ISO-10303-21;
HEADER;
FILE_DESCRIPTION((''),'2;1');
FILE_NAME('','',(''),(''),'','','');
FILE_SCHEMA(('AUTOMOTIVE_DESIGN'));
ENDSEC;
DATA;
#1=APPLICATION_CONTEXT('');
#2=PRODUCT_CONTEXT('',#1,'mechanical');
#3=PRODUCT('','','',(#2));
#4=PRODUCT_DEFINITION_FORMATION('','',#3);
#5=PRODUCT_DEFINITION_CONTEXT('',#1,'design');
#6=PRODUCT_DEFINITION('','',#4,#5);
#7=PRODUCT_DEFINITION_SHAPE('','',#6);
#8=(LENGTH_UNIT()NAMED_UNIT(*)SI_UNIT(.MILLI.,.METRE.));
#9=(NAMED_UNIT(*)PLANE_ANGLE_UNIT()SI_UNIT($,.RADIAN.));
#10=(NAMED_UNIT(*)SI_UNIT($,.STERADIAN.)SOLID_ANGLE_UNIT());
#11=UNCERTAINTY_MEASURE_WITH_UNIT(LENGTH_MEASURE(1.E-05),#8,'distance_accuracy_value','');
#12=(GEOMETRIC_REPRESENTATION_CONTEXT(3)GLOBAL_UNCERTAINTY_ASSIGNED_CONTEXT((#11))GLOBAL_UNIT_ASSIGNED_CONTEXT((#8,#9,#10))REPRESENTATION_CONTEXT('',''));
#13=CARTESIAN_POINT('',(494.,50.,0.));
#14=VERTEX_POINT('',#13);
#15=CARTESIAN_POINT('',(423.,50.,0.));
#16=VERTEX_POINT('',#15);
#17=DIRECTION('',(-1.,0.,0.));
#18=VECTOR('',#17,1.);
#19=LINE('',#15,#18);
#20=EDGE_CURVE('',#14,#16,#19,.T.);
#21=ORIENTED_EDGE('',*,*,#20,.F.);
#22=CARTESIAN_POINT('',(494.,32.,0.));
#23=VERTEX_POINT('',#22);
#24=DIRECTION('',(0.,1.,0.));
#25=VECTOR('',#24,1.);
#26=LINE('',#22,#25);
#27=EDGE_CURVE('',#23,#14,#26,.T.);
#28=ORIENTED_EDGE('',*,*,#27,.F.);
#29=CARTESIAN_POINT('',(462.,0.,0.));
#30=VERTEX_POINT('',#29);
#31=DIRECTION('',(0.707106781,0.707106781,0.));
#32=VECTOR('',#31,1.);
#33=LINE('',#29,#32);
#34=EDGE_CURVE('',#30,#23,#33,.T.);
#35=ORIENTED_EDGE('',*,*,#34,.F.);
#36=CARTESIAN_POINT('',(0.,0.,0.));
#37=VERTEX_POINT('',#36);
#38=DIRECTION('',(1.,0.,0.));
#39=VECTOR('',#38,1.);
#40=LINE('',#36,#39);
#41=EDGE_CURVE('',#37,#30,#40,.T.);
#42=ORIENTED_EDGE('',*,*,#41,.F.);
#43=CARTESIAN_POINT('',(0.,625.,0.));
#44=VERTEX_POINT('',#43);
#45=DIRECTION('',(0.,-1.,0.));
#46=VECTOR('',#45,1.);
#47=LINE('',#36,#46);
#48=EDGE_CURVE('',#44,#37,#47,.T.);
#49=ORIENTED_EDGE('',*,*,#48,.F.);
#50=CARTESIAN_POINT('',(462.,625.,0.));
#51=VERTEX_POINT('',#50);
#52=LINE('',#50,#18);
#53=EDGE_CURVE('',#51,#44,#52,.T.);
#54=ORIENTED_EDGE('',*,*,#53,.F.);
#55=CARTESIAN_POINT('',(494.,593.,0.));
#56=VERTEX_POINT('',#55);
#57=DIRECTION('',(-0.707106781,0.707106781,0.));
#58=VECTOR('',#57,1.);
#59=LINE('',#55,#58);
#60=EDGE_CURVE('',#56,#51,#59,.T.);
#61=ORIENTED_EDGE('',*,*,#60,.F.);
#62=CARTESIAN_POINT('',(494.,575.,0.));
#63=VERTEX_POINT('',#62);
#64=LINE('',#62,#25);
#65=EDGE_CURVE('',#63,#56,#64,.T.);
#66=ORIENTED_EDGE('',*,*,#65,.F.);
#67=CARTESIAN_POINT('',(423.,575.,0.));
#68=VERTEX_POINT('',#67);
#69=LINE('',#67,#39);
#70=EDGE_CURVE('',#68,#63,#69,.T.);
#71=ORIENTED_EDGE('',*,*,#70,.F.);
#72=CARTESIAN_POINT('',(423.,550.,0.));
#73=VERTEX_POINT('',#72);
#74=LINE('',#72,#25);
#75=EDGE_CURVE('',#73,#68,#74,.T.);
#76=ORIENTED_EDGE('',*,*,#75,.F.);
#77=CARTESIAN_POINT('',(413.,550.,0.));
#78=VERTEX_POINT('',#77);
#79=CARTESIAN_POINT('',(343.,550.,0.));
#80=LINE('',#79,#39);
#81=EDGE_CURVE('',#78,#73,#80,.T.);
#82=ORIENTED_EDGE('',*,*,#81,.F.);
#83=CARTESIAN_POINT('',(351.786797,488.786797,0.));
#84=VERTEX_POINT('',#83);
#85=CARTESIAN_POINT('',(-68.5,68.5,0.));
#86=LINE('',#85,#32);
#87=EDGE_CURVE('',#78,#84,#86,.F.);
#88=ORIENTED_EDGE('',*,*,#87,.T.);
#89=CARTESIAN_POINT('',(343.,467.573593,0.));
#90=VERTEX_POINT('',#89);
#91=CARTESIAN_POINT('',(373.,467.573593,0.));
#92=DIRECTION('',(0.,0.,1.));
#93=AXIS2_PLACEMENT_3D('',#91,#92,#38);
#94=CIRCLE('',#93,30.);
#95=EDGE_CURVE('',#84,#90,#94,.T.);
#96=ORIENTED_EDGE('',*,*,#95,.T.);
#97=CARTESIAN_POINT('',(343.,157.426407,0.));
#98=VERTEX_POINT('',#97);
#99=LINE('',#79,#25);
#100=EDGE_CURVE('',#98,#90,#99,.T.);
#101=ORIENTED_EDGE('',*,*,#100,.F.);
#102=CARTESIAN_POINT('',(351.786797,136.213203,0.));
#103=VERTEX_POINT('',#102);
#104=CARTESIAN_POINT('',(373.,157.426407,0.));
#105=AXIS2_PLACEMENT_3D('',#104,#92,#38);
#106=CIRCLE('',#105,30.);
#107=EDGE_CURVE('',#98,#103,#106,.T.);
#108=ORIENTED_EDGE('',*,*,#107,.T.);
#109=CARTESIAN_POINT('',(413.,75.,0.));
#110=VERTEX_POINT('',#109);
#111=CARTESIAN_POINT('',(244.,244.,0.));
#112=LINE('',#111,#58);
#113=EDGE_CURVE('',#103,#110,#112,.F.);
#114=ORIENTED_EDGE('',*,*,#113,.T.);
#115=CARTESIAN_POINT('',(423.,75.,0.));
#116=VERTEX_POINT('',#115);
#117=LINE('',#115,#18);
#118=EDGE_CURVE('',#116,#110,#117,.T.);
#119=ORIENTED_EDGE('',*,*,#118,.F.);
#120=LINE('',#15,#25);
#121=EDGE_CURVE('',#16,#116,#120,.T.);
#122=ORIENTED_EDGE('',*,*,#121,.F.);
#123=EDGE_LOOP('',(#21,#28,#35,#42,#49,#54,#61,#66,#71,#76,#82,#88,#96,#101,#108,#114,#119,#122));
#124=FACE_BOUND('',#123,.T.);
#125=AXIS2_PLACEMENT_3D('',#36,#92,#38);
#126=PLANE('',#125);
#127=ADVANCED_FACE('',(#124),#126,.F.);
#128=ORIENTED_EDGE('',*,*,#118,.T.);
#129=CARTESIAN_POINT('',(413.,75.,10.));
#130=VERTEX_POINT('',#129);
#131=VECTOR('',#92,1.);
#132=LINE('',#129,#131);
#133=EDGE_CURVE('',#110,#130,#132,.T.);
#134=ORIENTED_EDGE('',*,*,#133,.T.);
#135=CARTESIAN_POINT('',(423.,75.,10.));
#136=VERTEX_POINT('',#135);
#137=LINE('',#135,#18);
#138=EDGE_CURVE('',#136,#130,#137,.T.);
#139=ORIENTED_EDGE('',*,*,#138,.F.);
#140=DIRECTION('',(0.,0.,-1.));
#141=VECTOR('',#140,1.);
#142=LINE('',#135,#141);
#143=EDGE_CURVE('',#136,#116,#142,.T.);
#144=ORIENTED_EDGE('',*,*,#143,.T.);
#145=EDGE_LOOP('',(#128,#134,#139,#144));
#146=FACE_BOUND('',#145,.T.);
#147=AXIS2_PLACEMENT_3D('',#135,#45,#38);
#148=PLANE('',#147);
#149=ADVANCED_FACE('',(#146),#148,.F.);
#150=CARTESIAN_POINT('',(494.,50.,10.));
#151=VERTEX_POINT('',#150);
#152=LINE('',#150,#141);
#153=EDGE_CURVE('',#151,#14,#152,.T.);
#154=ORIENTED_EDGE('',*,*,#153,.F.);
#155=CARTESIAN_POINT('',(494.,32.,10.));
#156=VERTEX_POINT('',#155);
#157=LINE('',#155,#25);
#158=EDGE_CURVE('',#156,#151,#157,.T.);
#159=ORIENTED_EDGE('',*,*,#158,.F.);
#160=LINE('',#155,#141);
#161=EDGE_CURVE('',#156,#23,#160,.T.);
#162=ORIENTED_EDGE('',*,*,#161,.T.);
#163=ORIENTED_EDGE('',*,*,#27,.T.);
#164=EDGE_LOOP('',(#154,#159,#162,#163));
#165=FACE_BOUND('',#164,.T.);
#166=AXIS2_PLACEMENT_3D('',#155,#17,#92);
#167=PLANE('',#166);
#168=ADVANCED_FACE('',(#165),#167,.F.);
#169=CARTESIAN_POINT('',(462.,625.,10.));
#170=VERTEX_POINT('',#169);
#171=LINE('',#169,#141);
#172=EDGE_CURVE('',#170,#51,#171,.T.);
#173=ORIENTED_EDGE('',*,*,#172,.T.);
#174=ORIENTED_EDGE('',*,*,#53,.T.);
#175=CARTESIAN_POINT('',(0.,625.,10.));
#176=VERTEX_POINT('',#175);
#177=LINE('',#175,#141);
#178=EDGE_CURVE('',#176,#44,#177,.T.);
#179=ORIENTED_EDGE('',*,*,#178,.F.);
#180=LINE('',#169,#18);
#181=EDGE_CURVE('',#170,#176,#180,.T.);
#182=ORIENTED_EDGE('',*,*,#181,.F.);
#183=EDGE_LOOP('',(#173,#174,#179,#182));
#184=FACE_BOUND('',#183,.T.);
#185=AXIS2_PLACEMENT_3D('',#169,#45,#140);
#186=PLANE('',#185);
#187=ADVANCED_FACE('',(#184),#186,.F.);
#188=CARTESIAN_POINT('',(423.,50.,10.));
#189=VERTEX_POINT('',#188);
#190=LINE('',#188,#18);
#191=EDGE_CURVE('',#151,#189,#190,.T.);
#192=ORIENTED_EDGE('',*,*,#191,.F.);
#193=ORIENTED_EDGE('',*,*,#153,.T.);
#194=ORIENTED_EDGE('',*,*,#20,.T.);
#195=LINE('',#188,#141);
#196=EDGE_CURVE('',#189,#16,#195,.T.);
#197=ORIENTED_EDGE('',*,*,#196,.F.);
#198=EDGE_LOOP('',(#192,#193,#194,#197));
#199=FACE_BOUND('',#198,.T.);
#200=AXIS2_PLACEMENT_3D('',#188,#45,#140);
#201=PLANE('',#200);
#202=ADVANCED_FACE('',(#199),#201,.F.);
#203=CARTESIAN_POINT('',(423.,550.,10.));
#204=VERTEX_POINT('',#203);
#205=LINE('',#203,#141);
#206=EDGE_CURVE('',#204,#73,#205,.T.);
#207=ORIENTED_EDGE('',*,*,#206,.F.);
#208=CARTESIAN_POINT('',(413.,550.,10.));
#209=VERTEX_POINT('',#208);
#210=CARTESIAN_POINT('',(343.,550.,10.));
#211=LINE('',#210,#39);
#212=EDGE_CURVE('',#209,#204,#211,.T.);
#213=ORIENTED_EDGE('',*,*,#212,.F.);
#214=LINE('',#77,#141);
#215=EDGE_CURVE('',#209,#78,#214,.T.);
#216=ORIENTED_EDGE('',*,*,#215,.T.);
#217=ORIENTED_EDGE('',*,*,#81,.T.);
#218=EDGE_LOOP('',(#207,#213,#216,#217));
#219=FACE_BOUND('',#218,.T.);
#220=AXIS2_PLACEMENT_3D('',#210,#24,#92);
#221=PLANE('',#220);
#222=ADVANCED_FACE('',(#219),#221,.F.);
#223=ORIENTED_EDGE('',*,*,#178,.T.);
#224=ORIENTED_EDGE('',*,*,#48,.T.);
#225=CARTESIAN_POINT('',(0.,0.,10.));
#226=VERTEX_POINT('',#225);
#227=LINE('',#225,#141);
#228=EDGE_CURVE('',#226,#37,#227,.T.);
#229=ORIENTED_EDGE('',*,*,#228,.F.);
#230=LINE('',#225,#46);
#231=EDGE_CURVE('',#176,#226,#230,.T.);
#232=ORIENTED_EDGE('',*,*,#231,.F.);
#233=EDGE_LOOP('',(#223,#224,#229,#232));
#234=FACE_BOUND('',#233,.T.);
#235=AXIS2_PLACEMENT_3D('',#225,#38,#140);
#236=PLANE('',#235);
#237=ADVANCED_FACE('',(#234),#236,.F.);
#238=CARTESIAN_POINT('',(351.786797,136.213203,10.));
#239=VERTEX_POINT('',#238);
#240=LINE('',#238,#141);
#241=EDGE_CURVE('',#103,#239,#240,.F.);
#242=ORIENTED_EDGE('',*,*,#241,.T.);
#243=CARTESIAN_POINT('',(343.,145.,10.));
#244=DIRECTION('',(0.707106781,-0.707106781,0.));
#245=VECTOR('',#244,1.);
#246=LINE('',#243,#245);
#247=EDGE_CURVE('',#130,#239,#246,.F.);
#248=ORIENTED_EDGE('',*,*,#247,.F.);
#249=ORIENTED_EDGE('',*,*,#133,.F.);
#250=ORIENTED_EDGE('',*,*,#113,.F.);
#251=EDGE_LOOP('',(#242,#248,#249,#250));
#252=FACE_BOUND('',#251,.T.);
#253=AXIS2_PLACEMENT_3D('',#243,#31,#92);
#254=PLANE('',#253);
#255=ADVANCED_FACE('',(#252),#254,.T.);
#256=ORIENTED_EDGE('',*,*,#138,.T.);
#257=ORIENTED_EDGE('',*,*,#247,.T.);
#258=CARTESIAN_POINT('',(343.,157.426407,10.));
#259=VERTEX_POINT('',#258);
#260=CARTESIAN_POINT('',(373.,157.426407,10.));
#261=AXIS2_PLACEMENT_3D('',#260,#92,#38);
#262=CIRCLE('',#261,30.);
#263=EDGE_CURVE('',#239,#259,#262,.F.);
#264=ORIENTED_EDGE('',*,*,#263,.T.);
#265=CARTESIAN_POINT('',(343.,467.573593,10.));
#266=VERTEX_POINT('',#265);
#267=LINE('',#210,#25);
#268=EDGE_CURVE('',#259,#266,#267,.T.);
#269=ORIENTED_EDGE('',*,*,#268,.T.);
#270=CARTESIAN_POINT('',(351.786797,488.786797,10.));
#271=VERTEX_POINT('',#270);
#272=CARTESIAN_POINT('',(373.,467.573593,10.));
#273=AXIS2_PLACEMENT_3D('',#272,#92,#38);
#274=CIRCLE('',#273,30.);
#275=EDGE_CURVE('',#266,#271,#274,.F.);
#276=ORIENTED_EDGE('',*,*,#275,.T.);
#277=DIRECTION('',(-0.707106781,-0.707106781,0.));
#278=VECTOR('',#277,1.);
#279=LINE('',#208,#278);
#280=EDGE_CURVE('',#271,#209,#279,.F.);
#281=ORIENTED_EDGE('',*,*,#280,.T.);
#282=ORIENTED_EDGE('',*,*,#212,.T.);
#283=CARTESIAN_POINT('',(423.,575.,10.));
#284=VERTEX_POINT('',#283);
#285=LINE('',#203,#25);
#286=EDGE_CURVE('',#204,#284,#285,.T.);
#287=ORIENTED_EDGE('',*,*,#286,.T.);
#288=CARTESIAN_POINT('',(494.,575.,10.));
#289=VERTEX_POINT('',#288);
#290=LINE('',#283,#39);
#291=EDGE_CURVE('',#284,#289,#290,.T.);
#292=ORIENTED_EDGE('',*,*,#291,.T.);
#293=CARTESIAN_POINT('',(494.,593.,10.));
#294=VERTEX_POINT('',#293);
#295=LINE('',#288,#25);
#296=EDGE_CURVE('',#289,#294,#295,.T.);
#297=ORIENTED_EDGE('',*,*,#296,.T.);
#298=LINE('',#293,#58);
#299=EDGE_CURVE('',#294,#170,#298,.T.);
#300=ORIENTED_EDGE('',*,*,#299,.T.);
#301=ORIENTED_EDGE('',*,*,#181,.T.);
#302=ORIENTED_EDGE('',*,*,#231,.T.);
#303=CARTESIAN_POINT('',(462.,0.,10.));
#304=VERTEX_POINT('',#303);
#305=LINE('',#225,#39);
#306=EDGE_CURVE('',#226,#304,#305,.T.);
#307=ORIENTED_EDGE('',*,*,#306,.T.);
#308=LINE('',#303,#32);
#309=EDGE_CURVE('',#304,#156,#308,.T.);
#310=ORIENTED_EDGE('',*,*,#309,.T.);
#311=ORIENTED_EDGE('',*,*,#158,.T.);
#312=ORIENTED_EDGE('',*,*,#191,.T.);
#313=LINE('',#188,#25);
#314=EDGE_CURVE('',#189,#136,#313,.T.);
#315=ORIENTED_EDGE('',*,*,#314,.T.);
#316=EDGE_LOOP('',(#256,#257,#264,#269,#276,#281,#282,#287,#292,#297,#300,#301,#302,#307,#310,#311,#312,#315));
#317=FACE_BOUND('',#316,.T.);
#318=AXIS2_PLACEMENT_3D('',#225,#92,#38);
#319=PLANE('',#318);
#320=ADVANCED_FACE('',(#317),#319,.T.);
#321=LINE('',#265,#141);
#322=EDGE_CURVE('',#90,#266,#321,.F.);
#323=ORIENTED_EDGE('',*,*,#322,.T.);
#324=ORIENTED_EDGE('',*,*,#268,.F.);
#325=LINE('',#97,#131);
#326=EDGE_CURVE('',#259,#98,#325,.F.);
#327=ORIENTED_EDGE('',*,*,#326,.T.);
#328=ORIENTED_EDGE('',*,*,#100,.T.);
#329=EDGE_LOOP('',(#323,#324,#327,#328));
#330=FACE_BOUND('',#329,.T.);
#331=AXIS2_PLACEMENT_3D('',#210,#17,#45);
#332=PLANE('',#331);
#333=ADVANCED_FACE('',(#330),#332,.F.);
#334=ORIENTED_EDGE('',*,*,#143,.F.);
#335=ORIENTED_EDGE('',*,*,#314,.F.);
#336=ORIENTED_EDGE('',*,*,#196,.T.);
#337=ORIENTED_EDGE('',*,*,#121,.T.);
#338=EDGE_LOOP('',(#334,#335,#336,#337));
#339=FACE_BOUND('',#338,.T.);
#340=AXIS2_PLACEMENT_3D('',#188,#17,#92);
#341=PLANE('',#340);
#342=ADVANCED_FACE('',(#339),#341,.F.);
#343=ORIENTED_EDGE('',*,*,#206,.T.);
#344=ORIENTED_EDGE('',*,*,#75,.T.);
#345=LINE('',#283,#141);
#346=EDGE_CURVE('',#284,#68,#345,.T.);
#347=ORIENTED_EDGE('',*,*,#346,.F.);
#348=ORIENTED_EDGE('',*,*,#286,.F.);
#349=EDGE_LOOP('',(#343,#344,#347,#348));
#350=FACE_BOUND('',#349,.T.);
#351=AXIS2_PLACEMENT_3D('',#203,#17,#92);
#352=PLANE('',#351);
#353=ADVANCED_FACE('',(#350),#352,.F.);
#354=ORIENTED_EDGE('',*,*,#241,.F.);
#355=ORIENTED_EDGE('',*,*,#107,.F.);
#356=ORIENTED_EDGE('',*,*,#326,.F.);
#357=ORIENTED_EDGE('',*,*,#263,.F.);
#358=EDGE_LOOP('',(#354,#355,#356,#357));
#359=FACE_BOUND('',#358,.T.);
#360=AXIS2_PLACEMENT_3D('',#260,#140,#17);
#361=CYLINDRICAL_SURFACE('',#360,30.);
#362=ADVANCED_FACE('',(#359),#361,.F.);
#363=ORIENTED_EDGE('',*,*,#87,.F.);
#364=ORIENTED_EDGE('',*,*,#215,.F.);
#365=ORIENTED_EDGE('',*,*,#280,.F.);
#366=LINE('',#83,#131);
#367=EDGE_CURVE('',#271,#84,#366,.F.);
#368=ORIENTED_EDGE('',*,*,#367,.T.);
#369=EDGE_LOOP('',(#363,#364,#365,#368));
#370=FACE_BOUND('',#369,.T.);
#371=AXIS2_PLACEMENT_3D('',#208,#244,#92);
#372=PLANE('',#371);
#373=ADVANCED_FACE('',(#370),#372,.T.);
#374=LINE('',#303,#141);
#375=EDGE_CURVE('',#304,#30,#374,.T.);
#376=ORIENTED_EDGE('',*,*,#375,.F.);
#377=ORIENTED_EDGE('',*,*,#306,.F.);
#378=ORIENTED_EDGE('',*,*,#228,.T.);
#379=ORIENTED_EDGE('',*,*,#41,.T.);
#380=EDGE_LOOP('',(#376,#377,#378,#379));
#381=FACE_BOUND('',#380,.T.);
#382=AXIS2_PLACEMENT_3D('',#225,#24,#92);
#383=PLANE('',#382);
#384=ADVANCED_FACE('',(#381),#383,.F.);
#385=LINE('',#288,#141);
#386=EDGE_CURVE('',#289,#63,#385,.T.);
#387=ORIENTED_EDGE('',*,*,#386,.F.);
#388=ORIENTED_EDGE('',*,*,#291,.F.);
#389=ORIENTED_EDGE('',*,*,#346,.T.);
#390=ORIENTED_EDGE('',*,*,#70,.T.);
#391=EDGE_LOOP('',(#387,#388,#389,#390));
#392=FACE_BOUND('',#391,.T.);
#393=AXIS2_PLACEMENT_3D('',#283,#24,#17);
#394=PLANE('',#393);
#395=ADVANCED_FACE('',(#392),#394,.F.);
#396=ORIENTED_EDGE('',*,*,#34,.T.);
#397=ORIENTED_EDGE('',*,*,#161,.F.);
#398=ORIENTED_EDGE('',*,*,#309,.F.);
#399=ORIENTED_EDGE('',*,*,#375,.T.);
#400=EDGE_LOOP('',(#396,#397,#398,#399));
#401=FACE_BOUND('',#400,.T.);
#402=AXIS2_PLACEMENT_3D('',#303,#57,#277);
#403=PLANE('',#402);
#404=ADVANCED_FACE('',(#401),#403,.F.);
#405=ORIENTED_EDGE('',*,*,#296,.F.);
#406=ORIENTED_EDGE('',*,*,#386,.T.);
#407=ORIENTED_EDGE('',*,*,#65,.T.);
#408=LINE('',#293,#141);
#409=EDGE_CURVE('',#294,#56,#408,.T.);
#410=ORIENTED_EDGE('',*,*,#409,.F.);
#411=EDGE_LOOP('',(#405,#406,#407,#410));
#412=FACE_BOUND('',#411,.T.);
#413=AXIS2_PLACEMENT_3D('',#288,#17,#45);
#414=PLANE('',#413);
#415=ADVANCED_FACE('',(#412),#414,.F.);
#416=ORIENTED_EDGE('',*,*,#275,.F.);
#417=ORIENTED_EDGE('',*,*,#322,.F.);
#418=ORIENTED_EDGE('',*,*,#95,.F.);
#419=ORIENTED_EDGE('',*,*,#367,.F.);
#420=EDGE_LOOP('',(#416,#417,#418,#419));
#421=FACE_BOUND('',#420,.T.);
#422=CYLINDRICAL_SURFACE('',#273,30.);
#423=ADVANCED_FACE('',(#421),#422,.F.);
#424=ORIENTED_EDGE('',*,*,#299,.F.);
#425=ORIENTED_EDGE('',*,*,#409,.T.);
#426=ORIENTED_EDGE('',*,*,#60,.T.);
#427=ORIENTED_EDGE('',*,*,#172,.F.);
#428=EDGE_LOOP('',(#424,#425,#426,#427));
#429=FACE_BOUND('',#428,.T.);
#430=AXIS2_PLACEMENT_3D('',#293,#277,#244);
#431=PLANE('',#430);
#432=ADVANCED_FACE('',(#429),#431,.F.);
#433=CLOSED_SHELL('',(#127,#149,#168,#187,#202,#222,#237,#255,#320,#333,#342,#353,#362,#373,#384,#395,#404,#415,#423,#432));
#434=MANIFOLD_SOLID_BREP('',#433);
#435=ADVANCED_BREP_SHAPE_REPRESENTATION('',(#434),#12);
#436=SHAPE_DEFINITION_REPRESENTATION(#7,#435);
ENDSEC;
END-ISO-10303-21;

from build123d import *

# Parameters (mm, degrees)
RESSALTO_EXTRUS_O1_DEPTH = 10
CHANFRO1_SIZE            = 70
FILETE1_R                = 30


with BuildPart() as part:
    # Esboço1 → Ressalto-extrusão1 (new body)
    with BuildSketch(Plane.XY):
        Polygon((423, 50), (423, 75), (343, 75), (343, 550), (423, 550), (423, 575), (494, 575), (494, 593), (462, 625), (0, 625), (0, 0), (462, 0), (494, 32), (494, 50), align=None)
    extrude(amount=RESSALTO_EXTRUS_O1_DEPTH)

    # Chanfro1
    chanfro1_edges = [part.edges().sort_by_distance(p)[0] for p in [
        (343, 550, 5),
        (343, 75, 5),
    ]]
    chamfer(chanfro1_edges, length=CHANFRO1_SIZE)

    # Filete1
    filete1_edges = [part.edges().sort_by_distance(p)[0] for p in [
        (343, 145, 5),
        (343, 480, 5),
    ]]
    fillet(filete1_edges, radius=FILETE1_R)


solid = part.part
